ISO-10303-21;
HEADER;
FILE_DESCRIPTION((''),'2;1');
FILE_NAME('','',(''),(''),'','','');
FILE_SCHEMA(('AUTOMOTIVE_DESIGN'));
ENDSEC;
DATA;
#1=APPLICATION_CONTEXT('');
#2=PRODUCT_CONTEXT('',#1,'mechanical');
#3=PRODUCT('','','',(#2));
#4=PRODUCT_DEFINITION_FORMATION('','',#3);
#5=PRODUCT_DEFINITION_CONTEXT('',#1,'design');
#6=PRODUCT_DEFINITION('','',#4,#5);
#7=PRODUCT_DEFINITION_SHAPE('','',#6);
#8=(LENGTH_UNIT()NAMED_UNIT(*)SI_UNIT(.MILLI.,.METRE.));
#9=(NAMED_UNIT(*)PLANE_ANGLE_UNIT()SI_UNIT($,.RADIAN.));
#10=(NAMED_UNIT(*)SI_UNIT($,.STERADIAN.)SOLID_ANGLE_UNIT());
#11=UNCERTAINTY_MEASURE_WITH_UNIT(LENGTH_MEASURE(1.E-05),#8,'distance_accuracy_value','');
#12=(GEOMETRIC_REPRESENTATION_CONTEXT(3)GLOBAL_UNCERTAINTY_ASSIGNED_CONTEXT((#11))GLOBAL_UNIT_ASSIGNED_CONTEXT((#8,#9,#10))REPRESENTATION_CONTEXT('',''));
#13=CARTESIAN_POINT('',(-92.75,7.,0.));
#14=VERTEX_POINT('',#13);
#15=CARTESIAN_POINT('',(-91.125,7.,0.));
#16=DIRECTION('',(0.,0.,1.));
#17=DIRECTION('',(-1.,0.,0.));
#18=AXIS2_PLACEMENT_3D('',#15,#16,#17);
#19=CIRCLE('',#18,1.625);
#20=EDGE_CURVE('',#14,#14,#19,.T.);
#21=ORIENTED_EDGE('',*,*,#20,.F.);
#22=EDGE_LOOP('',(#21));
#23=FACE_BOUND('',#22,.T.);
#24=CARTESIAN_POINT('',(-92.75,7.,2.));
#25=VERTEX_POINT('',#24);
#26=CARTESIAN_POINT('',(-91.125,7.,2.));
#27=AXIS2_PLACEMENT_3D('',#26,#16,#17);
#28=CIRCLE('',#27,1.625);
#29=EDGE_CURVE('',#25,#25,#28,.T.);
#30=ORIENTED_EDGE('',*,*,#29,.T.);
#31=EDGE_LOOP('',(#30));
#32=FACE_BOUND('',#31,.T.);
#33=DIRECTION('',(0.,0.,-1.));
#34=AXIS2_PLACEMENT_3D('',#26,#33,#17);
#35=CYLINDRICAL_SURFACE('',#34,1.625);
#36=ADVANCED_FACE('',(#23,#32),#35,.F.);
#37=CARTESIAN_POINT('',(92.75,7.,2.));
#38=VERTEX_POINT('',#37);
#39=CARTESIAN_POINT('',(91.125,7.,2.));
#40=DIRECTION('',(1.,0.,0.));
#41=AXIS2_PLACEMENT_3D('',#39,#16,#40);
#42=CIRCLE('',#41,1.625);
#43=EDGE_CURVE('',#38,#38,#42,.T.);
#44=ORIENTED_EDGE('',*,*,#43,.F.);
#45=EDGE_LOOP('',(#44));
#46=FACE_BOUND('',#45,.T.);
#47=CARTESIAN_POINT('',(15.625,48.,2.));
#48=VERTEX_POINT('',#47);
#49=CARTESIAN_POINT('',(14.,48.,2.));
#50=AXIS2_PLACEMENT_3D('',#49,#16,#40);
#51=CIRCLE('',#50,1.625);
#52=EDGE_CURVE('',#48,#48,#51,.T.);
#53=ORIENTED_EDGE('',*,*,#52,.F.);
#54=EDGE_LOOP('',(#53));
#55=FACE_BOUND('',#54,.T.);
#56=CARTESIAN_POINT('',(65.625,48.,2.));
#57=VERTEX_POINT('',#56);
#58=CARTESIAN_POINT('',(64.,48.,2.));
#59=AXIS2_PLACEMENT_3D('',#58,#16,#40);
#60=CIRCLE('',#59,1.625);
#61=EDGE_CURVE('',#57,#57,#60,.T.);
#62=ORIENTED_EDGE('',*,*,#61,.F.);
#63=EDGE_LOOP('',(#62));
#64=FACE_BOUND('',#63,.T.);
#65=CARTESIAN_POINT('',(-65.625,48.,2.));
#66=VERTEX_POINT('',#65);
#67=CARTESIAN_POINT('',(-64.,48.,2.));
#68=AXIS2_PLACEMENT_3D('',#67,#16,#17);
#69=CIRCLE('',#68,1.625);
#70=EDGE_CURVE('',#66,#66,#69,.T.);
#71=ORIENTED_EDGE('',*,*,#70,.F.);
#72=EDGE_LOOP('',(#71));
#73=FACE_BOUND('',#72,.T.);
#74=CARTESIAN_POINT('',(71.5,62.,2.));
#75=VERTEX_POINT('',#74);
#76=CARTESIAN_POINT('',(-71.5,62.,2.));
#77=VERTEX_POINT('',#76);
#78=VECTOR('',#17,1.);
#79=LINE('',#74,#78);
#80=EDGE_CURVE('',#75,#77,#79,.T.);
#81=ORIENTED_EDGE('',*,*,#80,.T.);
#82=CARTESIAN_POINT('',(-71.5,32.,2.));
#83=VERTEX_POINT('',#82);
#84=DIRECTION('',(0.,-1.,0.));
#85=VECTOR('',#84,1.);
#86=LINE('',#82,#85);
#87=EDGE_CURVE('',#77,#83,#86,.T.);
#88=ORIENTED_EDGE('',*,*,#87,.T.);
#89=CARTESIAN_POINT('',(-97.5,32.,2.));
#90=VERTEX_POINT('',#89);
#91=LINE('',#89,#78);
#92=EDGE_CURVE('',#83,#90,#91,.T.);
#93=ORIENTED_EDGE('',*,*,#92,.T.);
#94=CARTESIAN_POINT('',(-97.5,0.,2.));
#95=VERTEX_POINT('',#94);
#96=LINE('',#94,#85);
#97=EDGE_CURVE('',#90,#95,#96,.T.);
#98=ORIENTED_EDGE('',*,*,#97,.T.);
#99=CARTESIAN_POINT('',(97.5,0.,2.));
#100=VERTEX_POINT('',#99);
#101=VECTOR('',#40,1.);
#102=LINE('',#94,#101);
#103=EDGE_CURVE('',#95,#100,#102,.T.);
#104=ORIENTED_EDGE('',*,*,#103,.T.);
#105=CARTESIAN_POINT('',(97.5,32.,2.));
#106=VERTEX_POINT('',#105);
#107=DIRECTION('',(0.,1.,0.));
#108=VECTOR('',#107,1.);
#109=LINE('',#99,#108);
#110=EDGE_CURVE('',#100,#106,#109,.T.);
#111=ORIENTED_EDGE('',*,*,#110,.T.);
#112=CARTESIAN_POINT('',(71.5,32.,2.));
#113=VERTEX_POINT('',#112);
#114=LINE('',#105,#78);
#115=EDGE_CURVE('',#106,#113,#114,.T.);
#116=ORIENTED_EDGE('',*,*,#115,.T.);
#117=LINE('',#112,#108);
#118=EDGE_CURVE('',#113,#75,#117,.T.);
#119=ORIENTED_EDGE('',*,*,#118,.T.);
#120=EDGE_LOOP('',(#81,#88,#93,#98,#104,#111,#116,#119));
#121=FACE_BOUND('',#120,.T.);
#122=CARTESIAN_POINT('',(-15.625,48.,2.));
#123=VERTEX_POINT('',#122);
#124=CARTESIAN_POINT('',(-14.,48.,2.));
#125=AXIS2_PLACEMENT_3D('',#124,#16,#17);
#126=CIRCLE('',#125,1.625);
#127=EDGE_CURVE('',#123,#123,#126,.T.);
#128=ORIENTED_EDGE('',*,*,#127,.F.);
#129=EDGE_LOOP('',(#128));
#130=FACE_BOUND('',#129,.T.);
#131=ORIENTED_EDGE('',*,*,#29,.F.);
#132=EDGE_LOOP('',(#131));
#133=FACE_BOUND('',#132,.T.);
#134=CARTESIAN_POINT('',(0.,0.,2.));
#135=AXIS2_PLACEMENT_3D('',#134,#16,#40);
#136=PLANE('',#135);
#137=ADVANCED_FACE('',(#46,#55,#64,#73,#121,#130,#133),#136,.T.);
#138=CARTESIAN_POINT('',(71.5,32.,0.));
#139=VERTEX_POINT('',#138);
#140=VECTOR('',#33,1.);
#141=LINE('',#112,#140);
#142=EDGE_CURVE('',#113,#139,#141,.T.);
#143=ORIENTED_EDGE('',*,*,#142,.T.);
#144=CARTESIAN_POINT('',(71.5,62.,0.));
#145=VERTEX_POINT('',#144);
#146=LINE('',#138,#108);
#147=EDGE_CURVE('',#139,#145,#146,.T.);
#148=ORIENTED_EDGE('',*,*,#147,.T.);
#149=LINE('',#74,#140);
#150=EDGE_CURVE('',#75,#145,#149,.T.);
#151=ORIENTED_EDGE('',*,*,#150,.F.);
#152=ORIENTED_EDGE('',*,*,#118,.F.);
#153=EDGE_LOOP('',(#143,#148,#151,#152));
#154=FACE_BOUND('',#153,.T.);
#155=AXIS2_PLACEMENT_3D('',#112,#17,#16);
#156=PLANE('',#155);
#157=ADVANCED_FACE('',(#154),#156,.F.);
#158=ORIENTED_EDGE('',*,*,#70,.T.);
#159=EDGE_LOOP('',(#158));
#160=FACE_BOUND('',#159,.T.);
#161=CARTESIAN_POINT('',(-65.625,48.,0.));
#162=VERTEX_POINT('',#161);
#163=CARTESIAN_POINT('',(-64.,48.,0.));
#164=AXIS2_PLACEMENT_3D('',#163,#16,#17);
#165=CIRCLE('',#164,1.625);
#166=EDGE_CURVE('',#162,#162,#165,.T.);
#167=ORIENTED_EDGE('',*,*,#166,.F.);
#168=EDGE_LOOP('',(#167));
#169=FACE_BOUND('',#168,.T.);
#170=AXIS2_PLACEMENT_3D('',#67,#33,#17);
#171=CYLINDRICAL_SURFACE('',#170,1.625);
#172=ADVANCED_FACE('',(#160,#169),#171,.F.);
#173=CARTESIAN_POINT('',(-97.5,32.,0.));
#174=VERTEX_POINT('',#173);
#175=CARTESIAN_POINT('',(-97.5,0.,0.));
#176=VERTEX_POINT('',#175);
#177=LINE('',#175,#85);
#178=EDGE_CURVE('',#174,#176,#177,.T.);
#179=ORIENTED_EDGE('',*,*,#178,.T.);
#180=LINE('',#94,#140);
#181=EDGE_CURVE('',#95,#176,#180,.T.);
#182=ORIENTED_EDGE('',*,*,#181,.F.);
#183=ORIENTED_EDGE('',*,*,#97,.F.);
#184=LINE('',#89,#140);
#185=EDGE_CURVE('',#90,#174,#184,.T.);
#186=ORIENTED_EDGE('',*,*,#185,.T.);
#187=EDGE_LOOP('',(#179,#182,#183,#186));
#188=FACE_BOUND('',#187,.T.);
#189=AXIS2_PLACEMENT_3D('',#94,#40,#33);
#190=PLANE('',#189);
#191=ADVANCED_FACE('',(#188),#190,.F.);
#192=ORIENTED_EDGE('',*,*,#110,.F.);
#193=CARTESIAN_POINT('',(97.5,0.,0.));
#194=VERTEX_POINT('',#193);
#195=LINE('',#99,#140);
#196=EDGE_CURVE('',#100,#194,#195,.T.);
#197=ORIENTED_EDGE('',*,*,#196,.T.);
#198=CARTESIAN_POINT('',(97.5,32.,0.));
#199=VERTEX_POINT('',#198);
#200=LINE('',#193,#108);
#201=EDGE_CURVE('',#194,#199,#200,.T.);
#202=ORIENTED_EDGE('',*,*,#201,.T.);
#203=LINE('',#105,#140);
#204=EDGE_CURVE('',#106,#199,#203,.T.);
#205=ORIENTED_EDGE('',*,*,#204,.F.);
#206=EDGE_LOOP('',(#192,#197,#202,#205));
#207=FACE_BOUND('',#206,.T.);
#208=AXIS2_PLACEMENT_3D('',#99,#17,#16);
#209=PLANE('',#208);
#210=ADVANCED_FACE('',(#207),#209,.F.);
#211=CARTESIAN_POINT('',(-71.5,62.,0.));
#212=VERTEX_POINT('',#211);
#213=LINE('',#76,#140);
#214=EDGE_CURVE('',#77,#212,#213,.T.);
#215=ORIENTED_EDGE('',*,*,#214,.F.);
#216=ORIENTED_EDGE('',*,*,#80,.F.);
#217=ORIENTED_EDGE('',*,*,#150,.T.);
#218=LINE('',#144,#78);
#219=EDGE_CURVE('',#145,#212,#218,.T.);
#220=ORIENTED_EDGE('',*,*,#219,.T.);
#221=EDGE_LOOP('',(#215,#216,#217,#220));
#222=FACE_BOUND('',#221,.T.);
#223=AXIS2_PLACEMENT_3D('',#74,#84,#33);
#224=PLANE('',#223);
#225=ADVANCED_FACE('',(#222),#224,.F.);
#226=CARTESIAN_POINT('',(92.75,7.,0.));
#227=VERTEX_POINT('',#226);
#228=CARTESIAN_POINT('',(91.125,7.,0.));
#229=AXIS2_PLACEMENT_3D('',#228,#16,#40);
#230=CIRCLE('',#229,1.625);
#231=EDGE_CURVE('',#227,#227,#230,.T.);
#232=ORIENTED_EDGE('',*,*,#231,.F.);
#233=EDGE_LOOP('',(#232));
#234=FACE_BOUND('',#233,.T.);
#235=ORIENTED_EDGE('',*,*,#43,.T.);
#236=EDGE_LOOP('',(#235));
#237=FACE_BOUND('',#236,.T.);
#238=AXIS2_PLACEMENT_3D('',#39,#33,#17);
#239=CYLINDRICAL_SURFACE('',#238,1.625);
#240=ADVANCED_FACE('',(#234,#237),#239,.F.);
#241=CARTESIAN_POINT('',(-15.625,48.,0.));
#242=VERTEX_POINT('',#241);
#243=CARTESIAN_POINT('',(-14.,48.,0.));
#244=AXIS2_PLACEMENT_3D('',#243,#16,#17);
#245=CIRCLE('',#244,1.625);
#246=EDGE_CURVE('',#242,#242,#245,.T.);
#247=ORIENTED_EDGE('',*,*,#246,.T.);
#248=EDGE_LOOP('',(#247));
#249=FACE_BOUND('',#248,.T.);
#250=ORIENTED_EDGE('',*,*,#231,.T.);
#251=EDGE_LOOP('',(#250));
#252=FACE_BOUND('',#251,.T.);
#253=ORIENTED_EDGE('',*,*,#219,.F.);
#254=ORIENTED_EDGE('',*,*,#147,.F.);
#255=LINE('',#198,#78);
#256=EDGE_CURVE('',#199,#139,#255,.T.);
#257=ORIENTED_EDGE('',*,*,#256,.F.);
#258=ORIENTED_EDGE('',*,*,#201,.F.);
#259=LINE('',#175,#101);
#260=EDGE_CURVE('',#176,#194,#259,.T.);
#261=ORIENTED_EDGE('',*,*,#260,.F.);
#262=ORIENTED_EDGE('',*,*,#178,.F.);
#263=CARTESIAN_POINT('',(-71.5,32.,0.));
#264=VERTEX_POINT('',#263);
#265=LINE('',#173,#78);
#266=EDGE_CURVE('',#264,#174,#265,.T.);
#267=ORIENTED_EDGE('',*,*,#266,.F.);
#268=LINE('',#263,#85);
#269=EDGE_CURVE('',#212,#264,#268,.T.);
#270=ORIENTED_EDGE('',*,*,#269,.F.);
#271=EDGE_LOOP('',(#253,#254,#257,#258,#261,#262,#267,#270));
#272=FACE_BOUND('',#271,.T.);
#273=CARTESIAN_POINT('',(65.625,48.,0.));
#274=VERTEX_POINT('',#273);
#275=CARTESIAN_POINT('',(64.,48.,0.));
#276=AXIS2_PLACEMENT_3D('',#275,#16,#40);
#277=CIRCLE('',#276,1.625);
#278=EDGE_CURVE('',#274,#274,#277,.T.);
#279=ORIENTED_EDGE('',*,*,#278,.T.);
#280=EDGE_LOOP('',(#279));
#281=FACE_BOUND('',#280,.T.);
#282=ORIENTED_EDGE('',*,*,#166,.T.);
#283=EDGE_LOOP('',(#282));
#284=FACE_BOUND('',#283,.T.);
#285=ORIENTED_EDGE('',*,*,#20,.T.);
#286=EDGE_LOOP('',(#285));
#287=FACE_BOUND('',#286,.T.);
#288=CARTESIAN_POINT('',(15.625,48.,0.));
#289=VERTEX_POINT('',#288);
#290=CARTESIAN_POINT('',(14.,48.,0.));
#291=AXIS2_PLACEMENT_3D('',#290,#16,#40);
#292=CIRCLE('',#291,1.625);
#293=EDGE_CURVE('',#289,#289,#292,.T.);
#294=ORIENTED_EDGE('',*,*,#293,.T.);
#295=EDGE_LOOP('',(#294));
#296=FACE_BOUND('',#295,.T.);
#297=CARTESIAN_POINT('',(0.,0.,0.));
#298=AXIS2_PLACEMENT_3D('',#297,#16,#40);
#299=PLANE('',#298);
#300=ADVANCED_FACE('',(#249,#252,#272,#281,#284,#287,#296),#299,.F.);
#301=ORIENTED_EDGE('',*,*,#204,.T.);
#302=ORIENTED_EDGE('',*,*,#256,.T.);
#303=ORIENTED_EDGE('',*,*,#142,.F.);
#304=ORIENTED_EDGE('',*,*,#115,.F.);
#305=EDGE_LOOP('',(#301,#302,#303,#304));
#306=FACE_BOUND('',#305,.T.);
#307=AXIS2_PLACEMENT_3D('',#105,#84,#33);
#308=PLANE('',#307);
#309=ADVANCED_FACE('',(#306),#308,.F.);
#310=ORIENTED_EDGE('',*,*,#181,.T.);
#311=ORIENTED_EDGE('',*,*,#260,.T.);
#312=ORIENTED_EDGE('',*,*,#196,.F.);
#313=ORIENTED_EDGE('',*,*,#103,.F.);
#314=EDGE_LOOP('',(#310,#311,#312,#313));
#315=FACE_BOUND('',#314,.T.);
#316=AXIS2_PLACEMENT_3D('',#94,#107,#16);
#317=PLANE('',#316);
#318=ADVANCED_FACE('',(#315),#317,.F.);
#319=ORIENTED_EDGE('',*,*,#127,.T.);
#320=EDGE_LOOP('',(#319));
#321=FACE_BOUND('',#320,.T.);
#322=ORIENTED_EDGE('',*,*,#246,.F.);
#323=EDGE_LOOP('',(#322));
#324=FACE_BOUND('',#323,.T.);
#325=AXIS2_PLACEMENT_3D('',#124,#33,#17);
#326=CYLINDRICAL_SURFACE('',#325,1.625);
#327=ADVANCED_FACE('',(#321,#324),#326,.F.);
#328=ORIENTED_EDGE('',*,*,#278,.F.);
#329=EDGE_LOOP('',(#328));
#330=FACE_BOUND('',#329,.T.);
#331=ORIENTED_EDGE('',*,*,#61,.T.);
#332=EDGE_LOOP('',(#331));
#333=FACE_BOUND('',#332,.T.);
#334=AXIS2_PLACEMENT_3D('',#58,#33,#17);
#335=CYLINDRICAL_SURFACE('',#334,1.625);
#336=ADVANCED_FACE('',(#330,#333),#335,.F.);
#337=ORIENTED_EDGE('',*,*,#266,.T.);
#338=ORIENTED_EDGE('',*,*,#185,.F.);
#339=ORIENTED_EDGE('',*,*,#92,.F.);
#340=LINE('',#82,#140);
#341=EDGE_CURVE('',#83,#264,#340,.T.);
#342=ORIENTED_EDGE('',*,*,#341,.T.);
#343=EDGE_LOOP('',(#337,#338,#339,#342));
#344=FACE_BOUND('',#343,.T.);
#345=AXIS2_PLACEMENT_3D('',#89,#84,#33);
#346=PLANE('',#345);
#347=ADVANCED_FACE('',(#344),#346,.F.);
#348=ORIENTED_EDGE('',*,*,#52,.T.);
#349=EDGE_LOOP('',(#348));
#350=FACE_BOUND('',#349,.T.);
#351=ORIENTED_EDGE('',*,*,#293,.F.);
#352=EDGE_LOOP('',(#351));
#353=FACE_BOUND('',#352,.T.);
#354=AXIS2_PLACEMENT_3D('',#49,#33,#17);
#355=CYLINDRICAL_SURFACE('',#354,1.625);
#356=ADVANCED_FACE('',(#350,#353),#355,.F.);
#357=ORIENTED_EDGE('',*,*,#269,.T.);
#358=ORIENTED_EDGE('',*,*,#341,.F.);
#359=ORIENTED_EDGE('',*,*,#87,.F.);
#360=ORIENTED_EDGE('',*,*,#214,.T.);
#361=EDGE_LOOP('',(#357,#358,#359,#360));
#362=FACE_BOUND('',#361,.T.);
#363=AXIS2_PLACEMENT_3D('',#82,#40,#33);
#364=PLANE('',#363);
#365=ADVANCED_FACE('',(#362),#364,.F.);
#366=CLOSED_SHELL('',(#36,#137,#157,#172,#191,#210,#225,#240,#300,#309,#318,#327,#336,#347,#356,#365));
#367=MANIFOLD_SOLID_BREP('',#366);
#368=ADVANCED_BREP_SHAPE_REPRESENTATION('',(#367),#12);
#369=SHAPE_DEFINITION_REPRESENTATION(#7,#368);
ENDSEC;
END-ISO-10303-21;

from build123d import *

# Parameters (mm, degrees)
CROQUIS1_R              = 1.625
SALIENTE_EXTRUIR1_DEPTH = 2


with BuildPart() as part:
    # Croquis1 → Saliente-Extruir1 (new body)
    with BuildSketch(Plane.XY):
        Polygon((-97.5, 0), (97.5, 0), (97.5, 32), (71.5, 32), (71.5, 62), (-71.5, 62), (-71.5, 32), (-97.5, 32), align=None)
        with Locations((91.125, 7)):
            Circle(CROQUIS1_R, mode=Mode.SUBTRACT)
        with Locations((64, 48)):
            Circle(CROQUIS1_R, mode=Mode.SUBTRACT)
        with Locations((14, 48)):
            Circle(CROQUIS1_R, mode=Mode.SUBTRACT)
        with Locations((-14, 48)):
            Circle(CROQUIS1_R, mode=Mode.SUBTRACT)
        with Locations((-64, 48)):
            Circle(CROQUIS1_R, mode=Mode.SUBTRACT)
        with Locations((-91.125, 7)):
            Circle(CROQUIS1_R, mode=Mode.SUBTRACT)
    extrude(amount=SALIENTE_EXTRUIR1_DEPTH)


solid = part.part
